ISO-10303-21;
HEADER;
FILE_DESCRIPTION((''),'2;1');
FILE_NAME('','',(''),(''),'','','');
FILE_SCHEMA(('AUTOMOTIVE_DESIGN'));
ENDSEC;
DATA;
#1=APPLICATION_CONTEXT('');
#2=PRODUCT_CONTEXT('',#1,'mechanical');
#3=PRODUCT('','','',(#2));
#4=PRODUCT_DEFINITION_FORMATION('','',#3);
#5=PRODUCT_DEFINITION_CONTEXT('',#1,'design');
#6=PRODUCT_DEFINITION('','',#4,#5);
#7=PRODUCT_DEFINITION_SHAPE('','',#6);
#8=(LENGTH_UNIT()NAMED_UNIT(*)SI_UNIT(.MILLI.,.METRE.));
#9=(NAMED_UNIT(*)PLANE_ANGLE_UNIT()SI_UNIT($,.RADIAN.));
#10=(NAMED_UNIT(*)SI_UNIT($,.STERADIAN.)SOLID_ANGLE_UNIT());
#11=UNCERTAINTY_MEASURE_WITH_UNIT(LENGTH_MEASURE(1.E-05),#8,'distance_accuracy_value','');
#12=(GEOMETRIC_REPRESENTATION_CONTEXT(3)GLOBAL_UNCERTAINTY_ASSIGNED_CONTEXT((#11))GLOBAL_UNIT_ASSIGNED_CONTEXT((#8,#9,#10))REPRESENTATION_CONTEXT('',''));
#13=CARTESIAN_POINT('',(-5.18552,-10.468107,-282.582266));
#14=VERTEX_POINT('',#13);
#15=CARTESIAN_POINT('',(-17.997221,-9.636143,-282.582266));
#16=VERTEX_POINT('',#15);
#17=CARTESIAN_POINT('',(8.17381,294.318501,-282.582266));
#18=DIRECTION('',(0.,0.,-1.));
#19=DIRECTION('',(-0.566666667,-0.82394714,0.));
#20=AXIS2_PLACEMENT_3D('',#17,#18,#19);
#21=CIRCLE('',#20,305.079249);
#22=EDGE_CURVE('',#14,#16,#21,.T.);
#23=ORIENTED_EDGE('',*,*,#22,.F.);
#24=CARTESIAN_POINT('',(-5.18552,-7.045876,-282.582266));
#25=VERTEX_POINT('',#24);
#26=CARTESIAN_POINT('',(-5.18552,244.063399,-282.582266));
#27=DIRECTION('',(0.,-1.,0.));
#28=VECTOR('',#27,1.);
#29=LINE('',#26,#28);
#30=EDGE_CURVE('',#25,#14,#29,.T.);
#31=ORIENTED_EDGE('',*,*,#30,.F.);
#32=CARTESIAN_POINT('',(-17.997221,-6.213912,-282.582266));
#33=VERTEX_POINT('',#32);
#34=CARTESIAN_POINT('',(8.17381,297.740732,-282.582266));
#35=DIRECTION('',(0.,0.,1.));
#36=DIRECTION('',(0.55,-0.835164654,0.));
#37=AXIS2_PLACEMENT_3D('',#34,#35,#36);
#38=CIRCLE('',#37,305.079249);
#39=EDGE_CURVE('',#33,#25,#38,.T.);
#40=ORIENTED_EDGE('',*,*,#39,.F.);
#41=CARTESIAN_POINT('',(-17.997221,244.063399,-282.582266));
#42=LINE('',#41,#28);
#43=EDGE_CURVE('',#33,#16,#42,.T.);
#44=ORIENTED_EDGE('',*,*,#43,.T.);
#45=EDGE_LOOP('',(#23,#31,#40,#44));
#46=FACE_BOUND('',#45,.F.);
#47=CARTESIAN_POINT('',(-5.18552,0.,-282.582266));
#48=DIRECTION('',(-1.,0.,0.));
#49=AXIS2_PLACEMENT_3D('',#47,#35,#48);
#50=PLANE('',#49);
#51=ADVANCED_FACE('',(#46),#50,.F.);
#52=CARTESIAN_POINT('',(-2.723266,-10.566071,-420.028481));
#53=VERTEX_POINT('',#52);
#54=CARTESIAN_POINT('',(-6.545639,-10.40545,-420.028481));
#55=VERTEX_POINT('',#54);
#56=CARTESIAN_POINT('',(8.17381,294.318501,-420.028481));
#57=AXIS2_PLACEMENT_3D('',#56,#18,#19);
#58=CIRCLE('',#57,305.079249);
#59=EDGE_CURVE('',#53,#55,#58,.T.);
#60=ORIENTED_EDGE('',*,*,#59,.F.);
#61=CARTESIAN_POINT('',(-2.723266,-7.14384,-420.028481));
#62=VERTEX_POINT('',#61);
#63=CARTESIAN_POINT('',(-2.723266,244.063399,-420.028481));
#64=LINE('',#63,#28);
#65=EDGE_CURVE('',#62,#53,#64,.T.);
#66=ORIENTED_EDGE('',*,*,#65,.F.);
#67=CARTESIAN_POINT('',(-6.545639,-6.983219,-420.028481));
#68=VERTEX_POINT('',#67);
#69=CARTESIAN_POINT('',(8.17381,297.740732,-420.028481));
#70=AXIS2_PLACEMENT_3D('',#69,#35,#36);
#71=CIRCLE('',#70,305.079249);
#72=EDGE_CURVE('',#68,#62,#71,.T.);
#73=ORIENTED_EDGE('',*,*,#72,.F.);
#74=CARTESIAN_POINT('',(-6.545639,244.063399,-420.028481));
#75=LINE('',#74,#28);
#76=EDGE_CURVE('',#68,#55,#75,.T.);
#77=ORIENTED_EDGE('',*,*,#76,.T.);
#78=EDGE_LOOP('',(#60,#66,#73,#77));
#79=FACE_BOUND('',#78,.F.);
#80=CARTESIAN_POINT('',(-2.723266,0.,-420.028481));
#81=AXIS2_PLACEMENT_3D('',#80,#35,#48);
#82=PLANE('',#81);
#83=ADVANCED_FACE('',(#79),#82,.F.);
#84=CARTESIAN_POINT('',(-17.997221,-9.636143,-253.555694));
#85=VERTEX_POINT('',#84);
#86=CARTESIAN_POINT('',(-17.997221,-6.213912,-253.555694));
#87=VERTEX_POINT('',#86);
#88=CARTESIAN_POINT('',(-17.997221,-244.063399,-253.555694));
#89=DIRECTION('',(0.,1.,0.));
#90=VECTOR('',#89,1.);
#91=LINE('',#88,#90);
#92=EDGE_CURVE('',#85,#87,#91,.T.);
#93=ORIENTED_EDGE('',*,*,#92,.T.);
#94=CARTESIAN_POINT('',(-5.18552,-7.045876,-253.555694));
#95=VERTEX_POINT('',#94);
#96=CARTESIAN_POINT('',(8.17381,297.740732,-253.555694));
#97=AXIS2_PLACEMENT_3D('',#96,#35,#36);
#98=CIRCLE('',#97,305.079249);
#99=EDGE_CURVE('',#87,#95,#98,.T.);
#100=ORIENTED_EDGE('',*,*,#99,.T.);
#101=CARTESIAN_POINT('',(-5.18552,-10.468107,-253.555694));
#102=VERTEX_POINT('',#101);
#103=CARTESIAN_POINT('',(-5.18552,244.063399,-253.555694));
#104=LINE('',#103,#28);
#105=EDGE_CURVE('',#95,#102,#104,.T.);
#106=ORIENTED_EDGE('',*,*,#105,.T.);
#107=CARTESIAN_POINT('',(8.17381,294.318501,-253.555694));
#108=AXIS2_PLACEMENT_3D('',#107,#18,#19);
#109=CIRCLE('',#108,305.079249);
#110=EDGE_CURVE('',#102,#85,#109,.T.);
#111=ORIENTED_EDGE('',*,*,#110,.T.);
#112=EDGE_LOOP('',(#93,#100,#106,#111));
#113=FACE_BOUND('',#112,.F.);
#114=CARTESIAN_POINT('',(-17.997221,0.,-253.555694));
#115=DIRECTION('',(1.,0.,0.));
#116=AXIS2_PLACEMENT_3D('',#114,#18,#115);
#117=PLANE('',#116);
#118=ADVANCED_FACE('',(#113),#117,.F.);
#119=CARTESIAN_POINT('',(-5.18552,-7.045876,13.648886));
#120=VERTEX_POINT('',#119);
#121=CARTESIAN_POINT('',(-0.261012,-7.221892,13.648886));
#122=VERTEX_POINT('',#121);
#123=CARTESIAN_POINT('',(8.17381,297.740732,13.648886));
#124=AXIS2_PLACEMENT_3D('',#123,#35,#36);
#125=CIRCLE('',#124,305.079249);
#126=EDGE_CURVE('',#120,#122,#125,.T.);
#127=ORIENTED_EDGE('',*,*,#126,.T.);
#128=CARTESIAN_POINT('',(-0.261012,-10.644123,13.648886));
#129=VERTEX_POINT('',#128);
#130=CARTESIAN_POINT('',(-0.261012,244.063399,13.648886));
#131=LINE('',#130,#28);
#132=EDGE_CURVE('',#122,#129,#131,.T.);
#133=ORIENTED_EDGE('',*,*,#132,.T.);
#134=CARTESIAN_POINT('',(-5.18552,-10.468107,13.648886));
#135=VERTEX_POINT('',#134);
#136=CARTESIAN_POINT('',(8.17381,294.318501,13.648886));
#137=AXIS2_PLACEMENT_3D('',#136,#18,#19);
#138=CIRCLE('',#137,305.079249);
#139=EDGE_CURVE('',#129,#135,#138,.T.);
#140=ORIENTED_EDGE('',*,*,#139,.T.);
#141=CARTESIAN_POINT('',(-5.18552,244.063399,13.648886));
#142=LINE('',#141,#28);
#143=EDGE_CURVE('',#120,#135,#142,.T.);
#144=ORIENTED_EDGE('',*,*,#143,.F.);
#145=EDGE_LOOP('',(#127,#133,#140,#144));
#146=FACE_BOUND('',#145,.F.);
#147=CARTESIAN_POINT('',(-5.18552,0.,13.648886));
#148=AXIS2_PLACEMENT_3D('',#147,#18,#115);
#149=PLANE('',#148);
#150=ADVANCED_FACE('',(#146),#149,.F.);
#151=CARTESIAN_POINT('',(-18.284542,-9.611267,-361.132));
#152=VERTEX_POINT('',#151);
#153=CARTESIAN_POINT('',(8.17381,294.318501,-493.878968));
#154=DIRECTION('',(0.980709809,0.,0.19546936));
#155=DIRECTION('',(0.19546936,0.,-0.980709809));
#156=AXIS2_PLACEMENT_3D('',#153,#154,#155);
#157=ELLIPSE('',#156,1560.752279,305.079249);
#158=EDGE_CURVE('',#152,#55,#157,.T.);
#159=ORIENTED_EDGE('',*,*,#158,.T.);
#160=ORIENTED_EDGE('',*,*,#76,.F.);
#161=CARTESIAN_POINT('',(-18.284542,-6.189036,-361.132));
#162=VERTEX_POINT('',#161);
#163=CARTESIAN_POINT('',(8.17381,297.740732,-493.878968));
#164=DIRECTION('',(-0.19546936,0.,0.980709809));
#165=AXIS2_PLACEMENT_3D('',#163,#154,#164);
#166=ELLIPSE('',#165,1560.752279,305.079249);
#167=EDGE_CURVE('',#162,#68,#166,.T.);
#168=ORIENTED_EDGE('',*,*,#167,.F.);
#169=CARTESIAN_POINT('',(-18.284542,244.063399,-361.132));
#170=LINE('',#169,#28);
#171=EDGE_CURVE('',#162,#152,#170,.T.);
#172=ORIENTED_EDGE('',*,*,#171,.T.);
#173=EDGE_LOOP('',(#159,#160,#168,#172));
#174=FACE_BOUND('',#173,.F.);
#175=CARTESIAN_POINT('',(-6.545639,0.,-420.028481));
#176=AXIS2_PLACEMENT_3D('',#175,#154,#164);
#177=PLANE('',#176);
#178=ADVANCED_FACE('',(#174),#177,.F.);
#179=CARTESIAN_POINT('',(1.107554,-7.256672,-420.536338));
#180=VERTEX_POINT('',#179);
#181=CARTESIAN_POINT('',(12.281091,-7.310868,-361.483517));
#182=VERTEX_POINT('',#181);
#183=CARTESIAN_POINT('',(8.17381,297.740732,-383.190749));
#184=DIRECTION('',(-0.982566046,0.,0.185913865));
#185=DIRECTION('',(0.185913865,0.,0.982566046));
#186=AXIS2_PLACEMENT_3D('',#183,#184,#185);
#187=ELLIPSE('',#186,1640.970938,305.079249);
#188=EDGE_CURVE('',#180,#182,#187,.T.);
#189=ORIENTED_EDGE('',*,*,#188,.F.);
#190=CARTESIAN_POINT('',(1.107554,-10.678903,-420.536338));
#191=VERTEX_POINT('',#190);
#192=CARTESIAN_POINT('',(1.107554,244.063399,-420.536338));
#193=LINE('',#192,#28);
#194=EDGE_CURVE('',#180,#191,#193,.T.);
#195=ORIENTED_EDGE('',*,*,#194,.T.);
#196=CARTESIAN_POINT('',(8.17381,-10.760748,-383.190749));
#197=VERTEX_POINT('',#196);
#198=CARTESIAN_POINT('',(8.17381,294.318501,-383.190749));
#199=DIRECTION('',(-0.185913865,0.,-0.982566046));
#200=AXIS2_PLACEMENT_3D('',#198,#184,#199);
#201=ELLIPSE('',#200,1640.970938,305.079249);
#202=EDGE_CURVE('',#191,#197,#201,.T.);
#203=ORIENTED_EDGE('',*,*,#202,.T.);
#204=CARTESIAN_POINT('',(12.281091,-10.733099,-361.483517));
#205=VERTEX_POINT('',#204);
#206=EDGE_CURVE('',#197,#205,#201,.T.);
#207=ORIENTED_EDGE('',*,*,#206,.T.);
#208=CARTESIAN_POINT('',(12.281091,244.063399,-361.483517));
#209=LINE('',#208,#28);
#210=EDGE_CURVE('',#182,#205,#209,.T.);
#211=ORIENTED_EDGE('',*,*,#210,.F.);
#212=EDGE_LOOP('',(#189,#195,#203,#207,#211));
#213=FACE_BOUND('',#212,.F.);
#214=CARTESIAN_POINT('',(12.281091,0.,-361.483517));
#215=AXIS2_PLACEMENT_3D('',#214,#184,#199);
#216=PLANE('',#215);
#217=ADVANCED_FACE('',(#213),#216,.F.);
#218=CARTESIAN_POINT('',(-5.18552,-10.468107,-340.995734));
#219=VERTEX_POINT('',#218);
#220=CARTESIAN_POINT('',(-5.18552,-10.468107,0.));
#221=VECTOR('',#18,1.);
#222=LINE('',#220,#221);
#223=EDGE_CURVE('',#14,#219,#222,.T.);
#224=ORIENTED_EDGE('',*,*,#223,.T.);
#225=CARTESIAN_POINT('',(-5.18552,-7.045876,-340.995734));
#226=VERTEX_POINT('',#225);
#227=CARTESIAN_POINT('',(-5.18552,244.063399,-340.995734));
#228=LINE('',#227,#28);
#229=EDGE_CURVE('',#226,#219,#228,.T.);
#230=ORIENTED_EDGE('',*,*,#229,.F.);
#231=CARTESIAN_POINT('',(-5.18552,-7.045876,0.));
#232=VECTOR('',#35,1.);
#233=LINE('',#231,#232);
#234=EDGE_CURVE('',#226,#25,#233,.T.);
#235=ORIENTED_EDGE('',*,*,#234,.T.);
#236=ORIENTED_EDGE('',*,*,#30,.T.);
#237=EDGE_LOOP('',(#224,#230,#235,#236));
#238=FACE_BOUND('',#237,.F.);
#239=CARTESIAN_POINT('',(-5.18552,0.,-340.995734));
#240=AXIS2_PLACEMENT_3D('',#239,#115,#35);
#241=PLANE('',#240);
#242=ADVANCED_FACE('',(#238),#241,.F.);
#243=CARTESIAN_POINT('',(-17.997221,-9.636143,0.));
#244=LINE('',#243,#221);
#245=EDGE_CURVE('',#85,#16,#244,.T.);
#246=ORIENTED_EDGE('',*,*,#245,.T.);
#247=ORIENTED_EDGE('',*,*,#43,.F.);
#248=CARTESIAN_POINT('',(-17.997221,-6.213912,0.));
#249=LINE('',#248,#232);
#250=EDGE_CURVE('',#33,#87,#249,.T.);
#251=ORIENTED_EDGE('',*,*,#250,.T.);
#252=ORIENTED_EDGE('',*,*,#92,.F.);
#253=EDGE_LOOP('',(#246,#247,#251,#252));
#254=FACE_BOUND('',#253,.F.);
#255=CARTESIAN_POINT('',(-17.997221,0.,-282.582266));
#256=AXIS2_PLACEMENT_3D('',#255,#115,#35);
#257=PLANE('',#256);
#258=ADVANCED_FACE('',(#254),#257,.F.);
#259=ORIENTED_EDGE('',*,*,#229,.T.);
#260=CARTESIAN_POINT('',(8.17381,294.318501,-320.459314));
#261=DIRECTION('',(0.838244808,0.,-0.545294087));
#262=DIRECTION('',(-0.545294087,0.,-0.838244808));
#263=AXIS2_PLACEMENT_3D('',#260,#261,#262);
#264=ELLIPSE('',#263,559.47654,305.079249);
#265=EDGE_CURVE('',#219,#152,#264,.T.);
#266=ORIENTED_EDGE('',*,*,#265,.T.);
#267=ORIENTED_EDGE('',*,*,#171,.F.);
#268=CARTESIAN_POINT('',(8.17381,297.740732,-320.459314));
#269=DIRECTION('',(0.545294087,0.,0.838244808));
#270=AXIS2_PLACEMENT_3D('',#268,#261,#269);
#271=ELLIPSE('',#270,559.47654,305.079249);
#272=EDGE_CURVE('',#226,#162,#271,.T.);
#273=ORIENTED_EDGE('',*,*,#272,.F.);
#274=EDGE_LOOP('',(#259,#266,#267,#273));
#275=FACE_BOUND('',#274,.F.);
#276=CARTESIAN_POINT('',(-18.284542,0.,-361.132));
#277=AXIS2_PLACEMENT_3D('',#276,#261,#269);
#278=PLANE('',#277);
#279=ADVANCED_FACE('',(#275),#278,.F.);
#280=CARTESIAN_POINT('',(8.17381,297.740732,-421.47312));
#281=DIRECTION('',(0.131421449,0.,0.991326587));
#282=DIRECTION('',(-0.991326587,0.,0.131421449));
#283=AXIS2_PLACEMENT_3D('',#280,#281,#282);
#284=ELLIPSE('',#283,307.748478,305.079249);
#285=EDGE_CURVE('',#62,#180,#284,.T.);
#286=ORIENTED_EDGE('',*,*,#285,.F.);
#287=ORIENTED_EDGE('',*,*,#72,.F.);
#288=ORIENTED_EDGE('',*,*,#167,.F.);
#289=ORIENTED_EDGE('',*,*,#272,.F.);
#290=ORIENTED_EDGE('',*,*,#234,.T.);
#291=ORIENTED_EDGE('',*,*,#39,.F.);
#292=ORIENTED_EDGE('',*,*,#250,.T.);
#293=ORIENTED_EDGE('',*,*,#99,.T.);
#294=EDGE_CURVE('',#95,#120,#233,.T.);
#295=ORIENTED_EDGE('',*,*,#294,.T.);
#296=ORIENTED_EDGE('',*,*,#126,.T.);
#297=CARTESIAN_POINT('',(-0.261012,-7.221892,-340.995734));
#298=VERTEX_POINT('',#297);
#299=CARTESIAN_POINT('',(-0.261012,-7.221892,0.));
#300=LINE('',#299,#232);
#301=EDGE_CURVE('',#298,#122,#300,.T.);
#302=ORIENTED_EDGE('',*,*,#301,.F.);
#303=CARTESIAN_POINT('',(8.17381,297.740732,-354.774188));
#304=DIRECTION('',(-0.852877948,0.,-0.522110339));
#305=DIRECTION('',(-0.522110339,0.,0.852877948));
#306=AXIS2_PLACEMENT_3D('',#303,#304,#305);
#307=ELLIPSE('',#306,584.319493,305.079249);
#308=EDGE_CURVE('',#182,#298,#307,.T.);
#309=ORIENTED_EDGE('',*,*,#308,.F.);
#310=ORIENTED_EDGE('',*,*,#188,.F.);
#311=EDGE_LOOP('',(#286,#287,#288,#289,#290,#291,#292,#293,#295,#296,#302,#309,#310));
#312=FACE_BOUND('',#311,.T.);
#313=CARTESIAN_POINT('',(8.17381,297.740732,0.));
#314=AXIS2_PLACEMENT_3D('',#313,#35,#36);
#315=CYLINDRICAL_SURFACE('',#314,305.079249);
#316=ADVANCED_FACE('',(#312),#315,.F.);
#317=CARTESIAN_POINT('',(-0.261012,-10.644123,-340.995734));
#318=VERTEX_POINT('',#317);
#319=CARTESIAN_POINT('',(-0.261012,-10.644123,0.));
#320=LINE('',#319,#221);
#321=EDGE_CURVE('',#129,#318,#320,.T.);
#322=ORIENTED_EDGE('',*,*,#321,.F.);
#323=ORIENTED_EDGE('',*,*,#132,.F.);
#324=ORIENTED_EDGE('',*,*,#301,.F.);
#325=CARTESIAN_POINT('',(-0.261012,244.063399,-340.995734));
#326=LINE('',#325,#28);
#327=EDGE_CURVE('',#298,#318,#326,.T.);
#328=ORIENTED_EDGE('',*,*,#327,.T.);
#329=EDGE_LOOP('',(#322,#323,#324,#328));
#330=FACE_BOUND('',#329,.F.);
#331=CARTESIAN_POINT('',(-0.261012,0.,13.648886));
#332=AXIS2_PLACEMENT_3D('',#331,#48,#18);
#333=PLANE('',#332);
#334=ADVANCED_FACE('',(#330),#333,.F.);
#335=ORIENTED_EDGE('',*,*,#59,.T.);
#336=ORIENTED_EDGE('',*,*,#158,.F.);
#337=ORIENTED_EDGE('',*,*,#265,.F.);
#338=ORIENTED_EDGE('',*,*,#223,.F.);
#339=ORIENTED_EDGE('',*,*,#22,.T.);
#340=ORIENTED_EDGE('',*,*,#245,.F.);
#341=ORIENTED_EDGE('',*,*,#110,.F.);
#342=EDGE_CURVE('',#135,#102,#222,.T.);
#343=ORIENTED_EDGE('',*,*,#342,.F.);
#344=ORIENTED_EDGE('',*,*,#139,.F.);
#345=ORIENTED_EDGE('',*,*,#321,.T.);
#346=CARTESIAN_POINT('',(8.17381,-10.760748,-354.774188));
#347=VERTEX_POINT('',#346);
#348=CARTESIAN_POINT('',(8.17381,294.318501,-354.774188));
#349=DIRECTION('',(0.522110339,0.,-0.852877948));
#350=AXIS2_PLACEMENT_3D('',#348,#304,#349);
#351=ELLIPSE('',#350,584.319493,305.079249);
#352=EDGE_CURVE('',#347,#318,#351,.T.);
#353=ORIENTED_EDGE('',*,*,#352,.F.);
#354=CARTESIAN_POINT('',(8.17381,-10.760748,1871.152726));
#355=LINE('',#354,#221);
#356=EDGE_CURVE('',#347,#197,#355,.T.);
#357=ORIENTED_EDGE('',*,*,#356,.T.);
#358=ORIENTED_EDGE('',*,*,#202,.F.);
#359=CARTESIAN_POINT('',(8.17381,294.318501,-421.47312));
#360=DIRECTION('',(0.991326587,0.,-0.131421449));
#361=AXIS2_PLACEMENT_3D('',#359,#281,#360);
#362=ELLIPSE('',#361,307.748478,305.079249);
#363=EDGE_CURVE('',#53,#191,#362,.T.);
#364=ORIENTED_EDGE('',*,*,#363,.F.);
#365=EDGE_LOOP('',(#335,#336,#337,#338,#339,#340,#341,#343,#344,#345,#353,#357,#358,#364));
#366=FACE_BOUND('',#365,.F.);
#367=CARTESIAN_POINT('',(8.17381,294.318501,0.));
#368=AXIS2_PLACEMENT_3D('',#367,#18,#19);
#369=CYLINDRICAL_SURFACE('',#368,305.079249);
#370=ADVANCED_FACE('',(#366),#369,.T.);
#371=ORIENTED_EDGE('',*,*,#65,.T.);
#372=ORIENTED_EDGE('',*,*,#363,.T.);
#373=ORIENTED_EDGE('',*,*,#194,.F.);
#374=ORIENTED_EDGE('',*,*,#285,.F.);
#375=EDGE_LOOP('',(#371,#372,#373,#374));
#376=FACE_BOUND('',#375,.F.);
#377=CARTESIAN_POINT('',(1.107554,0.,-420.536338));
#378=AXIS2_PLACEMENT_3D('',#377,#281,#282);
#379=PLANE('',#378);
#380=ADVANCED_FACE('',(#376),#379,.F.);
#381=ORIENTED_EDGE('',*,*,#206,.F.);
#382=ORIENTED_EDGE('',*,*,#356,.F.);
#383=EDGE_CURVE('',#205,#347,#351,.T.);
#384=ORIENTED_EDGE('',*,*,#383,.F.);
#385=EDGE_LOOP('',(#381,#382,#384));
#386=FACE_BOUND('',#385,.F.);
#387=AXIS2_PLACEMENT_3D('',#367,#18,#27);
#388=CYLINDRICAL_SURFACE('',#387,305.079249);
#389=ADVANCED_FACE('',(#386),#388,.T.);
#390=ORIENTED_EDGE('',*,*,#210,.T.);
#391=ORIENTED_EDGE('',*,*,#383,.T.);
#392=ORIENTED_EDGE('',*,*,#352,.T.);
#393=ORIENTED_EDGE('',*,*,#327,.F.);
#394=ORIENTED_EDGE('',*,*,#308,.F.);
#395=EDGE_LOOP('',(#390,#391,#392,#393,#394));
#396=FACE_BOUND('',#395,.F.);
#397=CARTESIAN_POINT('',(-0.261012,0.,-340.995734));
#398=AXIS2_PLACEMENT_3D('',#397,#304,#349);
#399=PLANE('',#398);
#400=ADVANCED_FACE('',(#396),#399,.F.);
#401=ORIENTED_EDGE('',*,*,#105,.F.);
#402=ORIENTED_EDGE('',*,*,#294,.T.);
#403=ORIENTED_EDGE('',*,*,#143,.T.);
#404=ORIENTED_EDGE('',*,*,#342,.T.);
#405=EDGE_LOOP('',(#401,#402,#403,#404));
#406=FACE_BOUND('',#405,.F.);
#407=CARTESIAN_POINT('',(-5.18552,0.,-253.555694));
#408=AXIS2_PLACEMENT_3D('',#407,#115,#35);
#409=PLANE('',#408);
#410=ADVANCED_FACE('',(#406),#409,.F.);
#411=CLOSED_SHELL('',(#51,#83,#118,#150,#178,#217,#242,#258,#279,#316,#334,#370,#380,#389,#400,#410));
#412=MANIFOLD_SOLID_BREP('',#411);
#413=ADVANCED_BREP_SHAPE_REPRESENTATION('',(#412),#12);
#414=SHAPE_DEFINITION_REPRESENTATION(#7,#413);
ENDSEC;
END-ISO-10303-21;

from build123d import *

# Parameters (mm, degrees)
F2_DEPTH = 467.36
F0_W     = 1740.8808469772
F0_H     = 2259.9012851715
F3_DEPTH = 60.96
F4_SCALE = 4.0036646816


with BuildPart() as f2:
    # F1 (on Top) → F2 (new body, symmetric)
    with BuildSketch(Plane.XY):
        with BuildLine():
            ThreePointArc((43.9515819812, 10.727503337), (23.9174424667, 1.374675553), (2.0415819812, -1.8329499959))
            Line((2.0415819812, -1.8329499959), (2.0415819812, -2.6877246239))
            ThreePointArc((2.0415819812, -2.6877246239), (24.6495492784, 0.7433272272), (45.2215819812, 10.727503337))
            Line((45.2215819812, 10.727503337), (43.9515819812, 10.727503337))
        make_face()
        with BuildLine():
            Line((2.0415819812, -2.6877246239), (2.0415819812, -1.8329499959))
            ThreePointArc((2.0415819812, -1.8329499959), (-19.8342785043, 1.374675553), (-39.8684180188, 10.727503337))
            Line((-39.8684180188, 10.727503337), (-41.1384180188, 10.727503337))
            ThreePointArc((-41.1384180188, 10.727503337), (-20.566385316, 0.7433272272), (2.0415819812, -2.6877246239))
        make_face()
    extrude(amount=F2_DEPTH, both=True)

    # F0 (on Front) → F3 (cut, symmetric)
    with BuildSketch(Plane.XZ):
        with Locations((133.3307623863, -204.713344574)):
            Rectangle(F0_W, F0_H)
        with BuildLine():
            Line((-1.295193345, -63.3309016509), (-1.295193345, 3.4090982191))
            Line((-1.295193345, 3.4090982191), (-0.065193265, 3.4090982191))
            Line((-0.065193265, 3.4090982191), (-0.065193265, -85.1709024209))
            Line((-0.065193265, -85.1709024209), (3.0674625036, -90.2881598735))
            Line((3.0674625036, -90.2881598735), (0.2766351171, -105.037851818))
            add(Edge.make_bspline(
                [(-0.680193305, -107.4909024849), (-0.3650057018, -107.493656038), (-0.0441852923, -106.265753928), (0.2766351171, -105.037851818)],
                knots=[0.5054719927, 0.5054719927, 0.5054719927, 0.5054719927, 1, 1, 1, 1], degree=3))
            add(Edge.make_bspline(
                [(-1.6349118244, -104.9110038356), (-1.3186339428, -106.1995459155), (-1.0023560613, -107.4880879954), (-0.680193305, -107.4909024849)],
                knots=[0, 0, 0, 0, 0.5054719927, 0.5054719927, 0.5054719927, 0.5054719927], degree=3))
            Line((-1.6349118244, -104.9110038356), (-4.5669513225, -90.2003612126))
            Line((-4.5669513225, -90.2003612126), (-1.295193345, -85.1709024209))
            Line((-1.295193345, -85.1709024209), (-1.295193345, -70.5809023909))
            Line((-1.295193345, -70.5809023909), (-4.495186945, -70.5809023909))
            Line((-4.495186945, -70.5809023909), (-4.495186945, -63.3309016509))
            Line((-4.495186945, -63.3309016509), (-1.295193345, -63.3309016509))
        make_face(mode=Mode.SUBTRACT)
        with BuildLine():
            Line((-0.680193305, -107.4909024849), (-0.680193305, -104.9110038356))
            Line((-0.680193305, -104.9110038356), (-1.6349118244, -104.9110038356))
            add(Edge.make_bspline(
                [(-1.6349118244, -104.9110038356), (-1.3186339428, -106.1995459155), (-1.0023560613, -107.4880879954), (-0.680193305, -107.4909024849)],
                knots=[0, 0, 0, 0, 0.5054719927, 0.5054719927, 0.5054719927, 0.5054719927], degree=3))
        make_face()
        with BuildLine():
            Line((0.2766351171, -105.037851818), (-0.680193305, -104.9110038356))
            Line((-0.680193305, -104.9110038356), (-0.680193305, -107.4909024849))
            add(Edge.make_bspline(
                [(-0.680193305, -107.4909024849), (-0.3650057018, -107.493656038), (-0.0441852923, -106.265753928), (0.2766351171, -105.037851818)],
                knots=[0.5054719927, 0.5054719927, 0.5054719927, 0.5054719927, 1, 1, 1, 1], degree=3))
        make_face()
    extrude(amount=F3_DEPTH, both=True, mode=Mode.SUBTRACT)


with BuildPart() as f2_1:
    # F4: moved
    add(f2.part.scale(F4_SCALE))


solid = f2_1.part
